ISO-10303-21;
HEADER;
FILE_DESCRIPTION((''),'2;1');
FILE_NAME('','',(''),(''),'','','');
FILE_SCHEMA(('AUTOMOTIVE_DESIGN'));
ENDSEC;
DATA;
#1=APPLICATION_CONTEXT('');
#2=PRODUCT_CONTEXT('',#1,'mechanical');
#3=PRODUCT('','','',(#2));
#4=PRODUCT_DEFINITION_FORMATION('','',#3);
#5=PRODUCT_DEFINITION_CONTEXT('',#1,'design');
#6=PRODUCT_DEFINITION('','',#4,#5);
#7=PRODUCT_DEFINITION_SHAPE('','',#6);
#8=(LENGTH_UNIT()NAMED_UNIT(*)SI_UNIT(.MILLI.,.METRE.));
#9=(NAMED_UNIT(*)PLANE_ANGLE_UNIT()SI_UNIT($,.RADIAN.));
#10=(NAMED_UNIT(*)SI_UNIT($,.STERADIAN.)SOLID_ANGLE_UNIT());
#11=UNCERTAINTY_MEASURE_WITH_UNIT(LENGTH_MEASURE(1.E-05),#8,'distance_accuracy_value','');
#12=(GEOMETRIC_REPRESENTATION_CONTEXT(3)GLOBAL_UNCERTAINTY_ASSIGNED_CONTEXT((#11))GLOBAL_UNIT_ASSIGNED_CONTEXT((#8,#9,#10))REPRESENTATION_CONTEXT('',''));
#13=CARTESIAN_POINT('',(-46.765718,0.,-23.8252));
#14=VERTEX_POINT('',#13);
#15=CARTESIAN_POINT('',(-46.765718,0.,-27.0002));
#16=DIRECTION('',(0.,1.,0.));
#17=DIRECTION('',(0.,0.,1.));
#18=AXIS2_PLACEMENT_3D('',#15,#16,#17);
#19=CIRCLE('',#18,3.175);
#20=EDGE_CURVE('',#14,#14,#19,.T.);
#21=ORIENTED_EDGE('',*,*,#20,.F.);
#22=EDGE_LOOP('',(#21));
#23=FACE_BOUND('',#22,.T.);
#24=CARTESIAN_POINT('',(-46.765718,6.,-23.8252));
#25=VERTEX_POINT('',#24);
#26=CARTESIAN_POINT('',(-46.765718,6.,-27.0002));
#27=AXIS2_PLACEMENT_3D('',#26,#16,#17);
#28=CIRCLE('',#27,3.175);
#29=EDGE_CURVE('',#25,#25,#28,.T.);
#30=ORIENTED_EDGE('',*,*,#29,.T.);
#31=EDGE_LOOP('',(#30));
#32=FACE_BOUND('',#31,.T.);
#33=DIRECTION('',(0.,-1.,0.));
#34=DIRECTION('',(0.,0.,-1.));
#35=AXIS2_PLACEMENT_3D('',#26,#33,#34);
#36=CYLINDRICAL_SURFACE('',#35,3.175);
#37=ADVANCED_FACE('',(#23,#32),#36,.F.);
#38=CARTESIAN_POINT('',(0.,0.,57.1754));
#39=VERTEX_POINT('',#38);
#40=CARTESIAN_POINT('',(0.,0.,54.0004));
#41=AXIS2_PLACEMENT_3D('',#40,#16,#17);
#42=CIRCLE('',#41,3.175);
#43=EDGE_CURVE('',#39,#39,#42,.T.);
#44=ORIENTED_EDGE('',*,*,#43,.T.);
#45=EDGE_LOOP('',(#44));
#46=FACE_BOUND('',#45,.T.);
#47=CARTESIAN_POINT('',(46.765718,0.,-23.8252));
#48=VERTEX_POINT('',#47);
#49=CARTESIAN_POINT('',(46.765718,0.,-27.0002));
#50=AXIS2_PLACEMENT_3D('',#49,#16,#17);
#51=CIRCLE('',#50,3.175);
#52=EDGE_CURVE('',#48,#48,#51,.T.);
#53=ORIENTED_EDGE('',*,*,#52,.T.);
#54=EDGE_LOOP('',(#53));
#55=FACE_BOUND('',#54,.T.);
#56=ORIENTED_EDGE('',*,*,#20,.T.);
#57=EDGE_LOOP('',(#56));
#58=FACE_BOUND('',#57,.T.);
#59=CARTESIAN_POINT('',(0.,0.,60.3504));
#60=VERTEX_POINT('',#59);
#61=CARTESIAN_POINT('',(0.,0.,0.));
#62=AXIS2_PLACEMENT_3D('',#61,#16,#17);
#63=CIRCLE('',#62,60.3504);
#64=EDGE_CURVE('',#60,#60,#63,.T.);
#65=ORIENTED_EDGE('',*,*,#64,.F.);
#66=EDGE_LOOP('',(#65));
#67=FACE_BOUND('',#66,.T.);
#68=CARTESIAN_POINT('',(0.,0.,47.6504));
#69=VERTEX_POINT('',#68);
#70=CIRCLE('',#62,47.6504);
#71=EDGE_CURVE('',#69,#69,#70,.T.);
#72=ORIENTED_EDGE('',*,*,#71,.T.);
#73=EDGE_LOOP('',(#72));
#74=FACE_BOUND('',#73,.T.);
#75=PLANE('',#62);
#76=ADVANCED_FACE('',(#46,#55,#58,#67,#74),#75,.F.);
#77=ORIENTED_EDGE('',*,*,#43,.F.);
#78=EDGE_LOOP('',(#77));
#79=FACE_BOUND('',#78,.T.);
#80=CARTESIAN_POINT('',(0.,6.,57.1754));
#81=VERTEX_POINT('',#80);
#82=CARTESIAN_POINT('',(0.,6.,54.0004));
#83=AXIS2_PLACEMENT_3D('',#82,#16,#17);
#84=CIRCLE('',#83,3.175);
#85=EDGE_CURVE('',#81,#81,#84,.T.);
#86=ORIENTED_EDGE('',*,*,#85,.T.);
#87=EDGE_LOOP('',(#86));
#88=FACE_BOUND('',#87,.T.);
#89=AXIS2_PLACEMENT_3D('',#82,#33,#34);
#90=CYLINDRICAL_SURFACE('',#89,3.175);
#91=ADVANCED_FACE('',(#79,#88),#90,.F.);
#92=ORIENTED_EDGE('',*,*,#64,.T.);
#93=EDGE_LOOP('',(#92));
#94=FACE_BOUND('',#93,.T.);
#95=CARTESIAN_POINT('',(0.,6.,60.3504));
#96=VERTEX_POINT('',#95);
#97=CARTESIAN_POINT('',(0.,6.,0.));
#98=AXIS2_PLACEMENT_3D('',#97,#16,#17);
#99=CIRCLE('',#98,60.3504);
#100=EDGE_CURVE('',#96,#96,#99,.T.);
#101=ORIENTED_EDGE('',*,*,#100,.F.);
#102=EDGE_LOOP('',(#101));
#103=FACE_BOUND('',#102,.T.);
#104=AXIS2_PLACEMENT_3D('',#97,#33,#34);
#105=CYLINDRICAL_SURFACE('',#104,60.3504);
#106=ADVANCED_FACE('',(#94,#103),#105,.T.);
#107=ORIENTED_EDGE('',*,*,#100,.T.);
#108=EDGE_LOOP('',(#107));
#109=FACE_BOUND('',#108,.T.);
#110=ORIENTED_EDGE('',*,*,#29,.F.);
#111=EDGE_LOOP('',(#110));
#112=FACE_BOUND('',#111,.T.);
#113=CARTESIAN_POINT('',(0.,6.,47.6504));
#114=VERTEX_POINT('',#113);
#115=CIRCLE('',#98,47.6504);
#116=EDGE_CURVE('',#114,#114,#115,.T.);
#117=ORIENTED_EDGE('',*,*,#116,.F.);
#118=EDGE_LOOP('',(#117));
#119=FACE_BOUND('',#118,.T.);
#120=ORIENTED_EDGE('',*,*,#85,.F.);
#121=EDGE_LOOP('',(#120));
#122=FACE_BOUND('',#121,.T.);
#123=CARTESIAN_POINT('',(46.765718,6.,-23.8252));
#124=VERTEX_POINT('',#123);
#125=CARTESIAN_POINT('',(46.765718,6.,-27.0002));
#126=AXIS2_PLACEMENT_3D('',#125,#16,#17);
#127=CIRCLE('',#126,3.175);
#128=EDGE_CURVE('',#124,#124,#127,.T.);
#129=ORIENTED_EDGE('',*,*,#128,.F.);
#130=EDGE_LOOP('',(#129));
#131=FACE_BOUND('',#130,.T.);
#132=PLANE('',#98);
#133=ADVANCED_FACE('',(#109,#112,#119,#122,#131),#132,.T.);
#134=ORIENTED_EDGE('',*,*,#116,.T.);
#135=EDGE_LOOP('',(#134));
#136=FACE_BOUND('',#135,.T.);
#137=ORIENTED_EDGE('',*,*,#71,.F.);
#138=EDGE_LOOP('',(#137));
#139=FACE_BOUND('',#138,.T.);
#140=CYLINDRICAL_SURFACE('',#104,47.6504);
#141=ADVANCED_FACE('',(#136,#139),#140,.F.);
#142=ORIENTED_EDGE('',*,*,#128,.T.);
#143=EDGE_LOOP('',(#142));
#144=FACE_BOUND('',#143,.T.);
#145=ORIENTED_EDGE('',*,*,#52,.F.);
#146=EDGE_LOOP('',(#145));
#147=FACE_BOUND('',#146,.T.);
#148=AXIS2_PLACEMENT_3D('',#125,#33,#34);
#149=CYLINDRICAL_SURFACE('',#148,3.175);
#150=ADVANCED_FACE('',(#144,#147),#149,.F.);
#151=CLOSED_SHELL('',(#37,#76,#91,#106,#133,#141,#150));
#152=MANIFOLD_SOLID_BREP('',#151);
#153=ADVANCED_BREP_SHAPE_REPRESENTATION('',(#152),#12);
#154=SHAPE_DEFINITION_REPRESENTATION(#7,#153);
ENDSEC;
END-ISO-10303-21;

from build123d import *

# Parameters (mm, degrees)
SKETCH1_R           = 60.3504
SKETCH1_R_2         = 47.6504
SKETCH1_R_3         = 3.175
BOSS_EXTRUDE1_DEPTH = 6


with BuildPart() as part:
    # Sketch1 → Boss-Extrude1 (new body)
    with BuildSketch(Plane(origin=(0, 0, 0), x_dir=(1, 0, 0), z_dir=(0, 1, 0))):
        Circle(SKETCH1_R)
        Circle(SKETCH1_R_2, mode=Mode.SUBTRACT)
        with Locations((0, -54.0004)):
            Circle(SKETCH1_R_3, mode=Mode.SUBTRACT)
        with Locations((-46.765718215, 27.0002)):
            Circle(SKETCH1_R_3, mode=Mode.SUBTRACT)
        with Locations((46.765718215, 27.0002)):
            Circle(SKETCH1_R_3, mode=Mode.SUBTRACT)
    extrude(amount=BOSS_EXTRUDE1_DEPTH)


solid = part.part
